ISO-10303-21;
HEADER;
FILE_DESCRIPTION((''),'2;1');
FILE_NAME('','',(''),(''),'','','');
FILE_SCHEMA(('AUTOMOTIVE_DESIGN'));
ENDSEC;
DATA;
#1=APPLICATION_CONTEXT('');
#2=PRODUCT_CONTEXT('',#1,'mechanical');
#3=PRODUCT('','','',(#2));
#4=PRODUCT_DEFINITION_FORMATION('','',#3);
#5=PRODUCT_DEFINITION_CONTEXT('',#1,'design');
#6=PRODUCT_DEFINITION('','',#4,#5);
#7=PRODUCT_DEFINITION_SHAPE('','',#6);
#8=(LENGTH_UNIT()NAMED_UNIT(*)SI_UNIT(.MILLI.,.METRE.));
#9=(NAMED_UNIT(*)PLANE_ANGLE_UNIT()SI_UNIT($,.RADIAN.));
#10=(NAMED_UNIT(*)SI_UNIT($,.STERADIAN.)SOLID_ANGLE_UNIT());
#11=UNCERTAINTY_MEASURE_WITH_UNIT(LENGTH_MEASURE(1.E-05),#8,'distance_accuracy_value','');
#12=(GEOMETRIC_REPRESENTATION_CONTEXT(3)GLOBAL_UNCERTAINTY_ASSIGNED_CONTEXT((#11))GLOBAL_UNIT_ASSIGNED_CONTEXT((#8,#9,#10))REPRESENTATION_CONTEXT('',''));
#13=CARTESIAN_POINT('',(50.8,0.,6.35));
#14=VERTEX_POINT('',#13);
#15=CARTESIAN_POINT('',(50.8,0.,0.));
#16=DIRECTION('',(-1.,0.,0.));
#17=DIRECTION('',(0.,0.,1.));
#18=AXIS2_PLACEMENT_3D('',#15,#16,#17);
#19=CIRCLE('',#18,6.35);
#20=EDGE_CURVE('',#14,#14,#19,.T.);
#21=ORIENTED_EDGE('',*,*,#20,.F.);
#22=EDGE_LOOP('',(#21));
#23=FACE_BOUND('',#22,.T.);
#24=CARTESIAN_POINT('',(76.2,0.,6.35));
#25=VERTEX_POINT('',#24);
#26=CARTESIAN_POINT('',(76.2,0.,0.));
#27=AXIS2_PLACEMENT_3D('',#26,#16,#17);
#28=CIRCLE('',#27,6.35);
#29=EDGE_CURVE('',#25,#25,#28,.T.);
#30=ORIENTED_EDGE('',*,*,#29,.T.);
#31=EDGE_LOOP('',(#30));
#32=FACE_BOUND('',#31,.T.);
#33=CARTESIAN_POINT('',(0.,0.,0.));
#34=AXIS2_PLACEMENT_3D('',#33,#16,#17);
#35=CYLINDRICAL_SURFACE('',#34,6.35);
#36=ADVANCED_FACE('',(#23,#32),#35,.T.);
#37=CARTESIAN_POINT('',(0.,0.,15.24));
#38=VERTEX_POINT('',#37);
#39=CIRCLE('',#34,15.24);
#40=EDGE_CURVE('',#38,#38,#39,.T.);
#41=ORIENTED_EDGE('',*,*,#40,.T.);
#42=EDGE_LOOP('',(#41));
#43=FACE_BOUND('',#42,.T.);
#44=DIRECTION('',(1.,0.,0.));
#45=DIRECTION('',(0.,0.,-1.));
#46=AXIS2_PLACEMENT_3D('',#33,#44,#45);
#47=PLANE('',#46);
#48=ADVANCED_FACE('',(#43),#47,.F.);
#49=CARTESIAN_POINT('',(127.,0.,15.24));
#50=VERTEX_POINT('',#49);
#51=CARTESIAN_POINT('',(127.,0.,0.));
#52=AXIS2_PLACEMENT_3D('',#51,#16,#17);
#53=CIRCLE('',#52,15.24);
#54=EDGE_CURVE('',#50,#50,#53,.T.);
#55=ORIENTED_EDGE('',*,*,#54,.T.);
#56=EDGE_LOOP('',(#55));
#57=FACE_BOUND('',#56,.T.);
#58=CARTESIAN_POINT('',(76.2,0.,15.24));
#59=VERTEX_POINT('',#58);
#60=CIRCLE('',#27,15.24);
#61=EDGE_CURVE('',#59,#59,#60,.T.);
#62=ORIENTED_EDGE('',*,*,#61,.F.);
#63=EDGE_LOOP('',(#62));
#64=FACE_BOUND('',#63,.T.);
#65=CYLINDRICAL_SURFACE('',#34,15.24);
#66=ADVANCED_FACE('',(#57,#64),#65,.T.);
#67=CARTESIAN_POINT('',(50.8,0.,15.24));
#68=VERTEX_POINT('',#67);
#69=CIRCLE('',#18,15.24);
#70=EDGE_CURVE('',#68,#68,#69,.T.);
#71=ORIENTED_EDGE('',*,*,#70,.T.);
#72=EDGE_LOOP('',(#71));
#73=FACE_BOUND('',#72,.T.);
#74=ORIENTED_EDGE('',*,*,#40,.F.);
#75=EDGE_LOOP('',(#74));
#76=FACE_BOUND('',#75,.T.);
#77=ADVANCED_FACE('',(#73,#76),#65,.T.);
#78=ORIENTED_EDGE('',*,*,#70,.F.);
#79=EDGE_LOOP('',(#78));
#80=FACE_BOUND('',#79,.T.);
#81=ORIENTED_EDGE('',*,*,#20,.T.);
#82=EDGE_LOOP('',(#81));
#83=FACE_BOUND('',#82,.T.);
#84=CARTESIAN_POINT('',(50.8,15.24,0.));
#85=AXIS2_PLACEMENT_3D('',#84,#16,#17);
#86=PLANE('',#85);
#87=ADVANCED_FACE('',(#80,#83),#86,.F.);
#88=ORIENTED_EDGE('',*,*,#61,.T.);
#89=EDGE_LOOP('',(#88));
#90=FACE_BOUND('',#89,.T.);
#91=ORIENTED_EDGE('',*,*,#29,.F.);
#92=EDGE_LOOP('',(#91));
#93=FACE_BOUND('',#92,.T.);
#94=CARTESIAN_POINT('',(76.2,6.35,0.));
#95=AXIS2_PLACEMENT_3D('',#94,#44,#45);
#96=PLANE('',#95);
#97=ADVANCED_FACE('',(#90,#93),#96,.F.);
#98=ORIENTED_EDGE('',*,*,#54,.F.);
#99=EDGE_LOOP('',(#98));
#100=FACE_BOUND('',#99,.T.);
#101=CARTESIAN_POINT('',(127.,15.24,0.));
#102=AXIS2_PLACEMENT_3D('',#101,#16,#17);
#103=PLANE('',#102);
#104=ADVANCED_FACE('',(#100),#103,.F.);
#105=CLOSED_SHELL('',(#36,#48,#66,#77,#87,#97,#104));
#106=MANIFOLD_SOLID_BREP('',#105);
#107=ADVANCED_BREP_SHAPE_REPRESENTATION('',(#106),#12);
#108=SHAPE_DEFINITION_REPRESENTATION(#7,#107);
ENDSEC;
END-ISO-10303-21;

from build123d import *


with BuildPart() as part:
    # Sketch1 → Revolve1 (revolve)
    with BuildSketch(Plane.XY):
        Polygon((0, 0), (0, 15.24), (50.8, 15.24), (50.8, 6.35), (76.2, 6.35), (76.2, 15.24), (127, 15.24), (127, 0), align=None)
    revolve(axis=Axis((0, 0, 0), (1, 0, 0)))


solid = part.part
